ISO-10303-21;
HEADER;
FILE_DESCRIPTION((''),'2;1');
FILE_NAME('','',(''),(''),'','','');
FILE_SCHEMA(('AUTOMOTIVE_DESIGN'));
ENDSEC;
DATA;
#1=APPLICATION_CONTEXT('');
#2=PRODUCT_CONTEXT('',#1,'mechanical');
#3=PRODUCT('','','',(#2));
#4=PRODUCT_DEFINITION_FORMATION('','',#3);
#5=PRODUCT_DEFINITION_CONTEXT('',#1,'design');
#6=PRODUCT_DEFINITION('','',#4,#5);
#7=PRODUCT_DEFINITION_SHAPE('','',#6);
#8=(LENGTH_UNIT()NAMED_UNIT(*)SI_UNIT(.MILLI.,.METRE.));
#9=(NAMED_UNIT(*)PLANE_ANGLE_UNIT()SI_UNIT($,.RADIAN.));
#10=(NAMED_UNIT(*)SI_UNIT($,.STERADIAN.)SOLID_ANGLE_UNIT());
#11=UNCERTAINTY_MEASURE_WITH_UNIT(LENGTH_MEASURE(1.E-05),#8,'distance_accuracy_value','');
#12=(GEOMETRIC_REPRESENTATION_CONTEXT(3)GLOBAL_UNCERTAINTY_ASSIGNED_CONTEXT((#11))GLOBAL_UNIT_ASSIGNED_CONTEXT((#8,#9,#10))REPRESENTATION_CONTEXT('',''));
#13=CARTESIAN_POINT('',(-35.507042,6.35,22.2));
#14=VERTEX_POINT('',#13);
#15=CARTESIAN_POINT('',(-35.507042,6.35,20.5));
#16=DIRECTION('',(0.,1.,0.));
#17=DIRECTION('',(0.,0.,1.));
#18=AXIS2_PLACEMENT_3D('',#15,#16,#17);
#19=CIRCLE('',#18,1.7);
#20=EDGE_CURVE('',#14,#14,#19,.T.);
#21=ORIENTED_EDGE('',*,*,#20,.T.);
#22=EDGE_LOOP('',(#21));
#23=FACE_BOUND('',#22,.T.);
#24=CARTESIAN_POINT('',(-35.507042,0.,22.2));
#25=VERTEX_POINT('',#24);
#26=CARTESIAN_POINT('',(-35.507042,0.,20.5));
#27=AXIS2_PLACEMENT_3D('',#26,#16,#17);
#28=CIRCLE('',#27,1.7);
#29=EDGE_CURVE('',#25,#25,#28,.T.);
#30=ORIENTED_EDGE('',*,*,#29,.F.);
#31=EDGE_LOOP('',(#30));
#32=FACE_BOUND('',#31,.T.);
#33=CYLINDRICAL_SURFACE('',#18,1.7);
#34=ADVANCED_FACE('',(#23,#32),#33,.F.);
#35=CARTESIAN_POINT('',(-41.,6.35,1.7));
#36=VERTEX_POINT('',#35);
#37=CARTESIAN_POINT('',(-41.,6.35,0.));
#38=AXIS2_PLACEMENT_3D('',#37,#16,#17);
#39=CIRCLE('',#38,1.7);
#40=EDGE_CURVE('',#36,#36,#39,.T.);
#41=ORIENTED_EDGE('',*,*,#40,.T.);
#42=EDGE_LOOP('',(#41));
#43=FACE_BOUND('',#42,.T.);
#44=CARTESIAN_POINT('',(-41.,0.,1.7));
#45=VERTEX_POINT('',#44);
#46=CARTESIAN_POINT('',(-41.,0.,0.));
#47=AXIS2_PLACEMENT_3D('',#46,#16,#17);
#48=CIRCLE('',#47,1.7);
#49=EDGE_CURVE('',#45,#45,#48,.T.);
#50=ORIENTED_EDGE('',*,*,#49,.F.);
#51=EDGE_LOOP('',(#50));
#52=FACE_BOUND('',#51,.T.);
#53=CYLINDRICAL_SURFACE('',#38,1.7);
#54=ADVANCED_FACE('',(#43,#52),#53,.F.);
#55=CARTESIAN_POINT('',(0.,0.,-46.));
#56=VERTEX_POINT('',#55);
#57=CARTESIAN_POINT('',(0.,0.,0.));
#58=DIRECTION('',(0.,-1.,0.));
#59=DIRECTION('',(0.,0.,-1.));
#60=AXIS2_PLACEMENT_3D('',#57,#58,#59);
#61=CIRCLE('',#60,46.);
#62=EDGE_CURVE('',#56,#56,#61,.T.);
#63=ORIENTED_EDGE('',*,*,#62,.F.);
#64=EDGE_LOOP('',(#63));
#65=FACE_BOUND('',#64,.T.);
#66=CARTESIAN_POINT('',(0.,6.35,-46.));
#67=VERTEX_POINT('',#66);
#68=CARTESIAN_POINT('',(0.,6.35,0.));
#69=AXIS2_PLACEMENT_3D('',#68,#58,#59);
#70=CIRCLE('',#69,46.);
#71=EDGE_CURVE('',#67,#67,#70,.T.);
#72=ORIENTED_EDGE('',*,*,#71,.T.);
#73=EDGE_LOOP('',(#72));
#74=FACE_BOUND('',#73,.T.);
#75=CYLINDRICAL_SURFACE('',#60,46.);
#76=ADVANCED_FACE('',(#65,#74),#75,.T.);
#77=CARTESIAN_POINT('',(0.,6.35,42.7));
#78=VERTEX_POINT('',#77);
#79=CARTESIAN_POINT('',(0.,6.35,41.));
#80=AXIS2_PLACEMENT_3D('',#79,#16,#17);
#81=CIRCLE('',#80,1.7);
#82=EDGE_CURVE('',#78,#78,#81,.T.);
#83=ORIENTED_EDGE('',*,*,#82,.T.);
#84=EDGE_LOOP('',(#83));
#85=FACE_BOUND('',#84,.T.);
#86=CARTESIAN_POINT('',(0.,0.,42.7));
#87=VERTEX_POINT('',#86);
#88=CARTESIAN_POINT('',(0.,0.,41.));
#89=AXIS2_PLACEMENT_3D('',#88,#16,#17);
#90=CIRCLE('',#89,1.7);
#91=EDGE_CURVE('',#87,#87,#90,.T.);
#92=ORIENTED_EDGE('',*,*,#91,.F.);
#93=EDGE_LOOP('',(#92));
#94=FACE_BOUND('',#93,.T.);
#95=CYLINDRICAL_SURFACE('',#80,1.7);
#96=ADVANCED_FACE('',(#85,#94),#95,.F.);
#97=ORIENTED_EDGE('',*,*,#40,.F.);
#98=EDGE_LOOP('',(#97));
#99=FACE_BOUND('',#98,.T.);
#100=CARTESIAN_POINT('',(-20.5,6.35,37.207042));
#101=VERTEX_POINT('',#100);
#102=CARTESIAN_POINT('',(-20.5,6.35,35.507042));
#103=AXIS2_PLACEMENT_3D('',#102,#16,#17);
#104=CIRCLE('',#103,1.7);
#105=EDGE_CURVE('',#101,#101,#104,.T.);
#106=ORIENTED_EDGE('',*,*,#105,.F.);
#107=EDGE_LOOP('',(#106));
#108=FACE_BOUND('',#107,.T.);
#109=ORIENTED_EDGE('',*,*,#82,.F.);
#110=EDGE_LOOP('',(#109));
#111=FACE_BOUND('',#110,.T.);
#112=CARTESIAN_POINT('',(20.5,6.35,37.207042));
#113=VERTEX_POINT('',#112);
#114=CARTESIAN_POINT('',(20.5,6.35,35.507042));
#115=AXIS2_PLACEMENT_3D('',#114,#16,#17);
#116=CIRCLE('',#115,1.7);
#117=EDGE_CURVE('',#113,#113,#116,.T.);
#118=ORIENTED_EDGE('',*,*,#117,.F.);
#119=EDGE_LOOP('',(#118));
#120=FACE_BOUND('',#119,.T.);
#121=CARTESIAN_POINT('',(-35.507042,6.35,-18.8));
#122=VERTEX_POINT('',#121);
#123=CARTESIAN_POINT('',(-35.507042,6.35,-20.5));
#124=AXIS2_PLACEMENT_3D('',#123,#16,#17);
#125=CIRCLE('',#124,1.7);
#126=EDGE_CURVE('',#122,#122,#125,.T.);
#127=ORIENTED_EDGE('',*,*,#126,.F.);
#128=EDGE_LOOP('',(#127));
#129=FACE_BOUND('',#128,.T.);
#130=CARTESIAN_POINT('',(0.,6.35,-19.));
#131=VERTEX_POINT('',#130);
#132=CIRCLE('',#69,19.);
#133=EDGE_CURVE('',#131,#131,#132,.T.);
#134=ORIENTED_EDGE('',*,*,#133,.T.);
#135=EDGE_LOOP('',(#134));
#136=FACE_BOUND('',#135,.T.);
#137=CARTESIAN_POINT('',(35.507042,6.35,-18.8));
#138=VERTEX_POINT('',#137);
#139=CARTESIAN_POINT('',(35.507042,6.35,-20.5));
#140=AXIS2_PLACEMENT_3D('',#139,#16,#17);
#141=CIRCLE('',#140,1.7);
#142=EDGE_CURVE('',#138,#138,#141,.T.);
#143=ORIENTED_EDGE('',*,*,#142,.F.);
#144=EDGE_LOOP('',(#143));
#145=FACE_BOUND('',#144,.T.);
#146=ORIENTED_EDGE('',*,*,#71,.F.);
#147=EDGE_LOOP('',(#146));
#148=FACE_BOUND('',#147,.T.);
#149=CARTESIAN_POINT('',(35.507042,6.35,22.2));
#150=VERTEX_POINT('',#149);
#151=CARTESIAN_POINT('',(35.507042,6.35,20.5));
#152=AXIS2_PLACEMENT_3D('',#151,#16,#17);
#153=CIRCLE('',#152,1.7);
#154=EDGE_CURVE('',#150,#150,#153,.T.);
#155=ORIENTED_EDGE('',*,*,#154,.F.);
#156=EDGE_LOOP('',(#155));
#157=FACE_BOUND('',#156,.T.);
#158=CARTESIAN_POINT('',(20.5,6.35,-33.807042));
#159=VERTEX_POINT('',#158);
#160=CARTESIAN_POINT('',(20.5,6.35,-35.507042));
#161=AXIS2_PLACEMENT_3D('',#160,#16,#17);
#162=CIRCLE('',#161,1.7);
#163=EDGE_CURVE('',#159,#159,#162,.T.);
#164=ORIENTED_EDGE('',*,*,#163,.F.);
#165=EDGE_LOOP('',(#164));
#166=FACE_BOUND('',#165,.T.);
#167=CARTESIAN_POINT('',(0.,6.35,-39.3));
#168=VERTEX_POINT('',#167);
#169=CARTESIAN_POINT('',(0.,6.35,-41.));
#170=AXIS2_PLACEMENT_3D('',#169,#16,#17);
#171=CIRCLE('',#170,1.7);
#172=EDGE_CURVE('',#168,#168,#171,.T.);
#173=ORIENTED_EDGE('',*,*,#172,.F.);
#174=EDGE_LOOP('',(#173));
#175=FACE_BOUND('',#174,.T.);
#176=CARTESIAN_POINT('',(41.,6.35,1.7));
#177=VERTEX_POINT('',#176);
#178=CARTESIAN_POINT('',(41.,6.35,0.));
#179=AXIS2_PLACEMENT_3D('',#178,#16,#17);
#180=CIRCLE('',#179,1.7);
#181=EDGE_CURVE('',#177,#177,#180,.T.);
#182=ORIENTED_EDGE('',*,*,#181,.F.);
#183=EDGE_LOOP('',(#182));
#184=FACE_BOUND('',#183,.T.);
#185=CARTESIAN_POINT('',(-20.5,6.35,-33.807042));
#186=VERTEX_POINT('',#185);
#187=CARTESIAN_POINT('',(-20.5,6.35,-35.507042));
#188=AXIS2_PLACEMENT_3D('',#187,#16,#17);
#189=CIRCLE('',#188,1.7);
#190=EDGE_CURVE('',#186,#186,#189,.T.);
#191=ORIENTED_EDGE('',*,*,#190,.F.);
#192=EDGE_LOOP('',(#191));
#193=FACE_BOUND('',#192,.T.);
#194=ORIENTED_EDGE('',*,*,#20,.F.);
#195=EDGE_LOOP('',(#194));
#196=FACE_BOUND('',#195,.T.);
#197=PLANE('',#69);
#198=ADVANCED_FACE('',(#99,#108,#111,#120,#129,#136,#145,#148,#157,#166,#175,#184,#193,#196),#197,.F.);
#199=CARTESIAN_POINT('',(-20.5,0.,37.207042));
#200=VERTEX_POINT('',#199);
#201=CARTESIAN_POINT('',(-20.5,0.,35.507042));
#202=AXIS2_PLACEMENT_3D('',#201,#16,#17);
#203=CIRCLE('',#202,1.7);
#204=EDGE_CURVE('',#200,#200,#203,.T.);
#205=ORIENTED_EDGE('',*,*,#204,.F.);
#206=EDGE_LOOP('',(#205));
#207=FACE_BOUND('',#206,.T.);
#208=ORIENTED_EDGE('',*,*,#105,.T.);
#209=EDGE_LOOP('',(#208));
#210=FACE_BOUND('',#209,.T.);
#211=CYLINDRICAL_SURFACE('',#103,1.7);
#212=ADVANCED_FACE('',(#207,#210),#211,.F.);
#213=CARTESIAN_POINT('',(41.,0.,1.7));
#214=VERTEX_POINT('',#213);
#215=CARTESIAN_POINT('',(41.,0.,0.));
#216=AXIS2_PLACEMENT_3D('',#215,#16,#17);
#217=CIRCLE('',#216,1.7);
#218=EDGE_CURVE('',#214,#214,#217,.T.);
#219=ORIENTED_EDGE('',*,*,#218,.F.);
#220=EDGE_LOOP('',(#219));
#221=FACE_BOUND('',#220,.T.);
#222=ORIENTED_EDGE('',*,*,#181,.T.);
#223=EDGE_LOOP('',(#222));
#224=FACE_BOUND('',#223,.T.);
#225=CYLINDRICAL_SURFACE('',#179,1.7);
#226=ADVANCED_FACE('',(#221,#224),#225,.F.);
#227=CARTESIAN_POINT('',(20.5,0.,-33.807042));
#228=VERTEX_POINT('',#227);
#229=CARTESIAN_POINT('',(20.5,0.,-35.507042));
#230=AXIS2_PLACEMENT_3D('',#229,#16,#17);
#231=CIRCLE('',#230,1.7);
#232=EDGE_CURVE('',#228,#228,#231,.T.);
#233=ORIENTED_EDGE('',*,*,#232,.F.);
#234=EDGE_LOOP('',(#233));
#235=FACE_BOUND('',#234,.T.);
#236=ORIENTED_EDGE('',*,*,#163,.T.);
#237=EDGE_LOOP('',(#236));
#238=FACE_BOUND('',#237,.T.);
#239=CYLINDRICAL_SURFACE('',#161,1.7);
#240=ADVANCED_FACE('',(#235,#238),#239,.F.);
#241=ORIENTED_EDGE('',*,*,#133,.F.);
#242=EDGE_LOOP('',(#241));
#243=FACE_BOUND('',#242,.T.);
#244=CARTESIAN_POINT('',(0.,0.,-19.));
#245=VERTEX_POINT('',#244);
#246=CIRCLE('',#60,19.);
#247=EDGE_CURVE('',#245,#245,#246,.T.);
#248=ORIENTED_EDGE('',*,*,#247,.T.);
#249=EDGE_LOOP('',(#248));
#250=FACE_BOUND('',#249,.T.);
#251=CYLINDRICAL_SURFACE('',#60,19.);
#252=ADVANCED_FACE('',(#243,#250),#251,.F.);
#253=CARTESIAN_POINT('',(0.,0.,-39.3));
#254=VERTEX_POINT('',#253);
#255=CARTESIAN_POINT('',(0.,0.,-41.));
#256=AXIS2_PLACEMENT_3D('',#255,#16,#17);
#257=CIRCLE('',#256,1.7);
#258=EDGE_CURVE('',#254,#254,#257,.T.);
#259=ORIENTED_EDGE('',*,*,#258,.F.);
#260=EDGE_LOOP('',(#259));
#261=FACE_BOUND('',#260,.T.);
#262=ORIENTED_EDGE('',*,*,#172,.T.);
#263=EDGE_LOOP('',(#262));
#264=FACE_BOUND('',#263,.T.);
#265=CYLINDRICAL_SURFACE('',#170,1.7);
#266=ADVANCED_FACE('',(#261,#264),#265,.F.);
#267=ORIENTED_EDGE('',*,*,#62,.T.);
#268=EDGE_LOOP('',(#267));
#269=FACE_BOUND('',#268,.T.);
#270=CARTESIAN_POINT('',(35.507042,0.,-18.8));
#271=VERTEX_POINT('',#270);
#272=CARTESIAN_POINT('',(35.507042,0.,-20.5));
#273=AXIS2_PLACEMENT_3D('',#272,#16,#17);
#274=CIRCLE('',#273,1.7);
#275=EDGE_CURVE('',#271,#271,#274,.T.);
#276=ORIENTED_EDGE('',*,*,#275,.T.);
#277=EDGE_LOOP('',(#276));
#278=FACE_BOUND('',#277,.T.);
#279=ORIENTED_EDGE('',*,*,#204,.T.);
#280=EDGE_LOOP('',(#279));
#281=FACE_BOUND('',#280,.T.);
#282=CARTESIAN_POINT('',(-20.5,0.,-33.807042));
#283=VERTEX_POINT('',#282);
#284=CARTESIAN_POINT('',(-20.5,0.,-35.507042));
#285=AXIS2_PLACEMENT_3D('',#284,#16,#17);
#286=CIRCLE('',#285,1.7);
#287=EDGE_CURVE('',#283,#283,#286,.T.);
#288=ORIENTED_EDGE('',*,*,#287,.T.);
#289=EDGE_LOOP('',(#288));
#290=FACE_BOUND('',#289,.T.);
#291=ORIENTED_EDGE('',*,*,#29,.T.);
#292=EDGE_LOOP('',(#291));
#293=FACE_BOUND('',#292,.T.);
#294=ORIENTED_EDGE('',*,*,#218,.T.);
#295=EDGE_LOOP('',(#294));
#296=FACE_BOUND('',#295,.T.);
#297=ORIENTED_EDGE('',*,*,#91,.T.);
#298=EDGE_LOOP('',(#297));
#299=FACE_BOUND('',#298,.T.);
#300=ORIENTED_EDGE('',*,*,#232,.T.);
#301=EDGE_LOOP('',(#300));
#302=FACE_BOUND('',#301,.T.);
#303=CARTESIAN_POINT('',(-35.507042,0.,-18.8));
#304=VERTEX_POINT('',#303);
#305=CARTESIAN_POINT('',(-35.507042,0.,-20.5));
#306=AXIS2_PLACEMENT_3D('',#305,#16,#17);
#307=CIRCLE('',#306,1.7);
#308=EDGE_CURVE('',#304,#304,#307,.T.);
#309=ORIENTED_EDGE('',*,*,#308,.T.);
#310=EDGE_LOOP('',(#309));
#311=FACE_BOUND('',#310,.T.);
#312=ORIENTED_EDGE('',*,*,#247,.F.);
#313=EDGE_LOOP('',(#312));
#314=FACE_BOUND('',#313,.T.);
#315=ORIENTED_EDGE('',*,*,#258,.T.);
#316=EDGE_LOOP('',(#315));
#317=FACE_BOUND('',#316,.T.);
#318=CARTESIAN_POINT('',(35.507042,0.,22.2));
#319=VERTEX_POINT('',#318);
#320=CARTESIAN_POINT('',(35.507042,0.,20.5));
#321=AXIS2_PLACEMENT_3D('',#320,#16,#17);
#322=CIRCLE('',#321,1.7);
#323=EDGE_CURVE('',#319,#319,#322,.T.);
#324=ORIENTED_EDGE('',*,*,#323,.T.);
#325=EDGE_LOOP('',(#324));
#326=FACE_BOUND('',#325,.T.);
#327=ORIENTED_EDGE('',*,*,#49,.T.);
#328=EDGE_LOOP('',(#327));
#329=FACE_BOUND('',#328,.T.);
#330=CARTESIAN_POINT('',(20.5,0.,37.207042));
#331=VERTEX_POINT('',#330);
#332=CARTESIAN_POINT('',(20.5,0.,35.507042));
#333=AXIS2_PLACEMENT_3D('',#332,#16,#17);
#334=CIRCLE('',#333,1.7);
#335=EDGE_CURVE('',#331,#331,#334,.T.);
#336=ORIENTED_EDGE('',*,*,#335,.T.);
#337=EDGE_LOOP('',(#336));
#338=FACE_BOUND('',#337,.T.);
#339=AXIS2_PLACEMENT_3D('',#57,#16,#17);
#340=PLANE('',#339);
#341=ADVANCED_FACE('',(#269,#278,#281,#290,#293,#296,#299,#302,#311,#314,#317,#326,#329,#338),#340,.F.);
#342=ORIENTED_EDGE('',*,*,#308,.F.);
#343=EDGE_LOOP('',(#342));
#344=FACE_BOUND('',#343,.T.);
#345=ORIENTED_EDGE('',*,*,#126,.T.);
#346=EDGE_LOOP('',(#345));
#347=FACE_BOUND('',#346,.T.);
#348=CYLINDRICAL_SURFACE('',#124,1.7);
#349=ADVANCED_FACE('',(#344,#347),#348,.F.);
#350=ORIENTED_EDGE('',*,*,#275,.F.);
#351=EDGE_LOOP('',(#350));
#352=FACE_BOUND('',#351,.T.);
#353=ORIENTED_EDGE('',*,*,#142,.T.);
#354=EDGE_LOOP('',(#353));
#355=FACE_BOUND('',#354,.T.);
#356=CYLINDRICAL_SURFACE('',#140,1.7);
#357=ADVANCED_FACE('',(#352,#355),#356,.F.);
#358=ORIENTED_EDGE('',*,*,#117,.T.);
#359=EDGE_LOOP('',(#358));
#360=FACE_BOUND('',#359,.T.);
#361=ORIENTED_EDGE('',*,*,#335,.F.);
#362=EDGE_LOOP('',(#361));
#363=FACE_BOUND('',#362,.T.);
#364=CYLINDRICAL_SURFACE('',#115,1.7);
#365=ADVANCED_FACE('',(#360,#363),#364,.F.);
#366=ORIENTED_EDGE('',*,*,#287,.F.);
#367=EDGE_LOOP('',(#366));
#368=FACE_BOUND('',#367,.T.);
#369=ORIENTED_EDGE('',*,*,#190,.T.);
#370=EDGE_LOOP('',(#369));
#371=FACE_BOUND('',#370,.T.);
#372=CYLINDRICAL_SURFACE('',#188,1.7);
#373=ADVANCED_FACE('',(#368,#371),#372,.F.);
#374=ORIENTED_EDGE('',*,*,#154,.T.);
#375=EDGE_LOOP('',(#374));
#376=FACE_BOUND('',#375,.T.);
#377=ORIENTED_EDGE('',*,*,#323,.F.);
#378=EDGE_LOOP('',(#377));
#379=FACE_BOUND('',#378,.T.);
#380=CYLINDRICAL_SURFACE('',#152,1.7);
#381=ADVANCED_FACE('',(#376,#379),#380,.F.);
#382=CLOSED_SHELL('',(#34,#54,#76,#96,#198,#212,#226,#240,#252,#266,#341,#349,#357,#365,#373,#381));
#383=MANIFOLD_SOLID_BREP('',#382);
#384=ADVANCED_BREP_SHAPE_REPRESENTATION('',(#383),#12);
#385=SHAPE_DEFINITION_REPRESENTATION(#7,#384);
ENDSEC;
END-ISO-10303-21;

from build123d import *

# Parameters (mm, degrees)
SKETCH2_W            = 27
SKETCH2_H            = 6.35
M3_CLEARANCE_HOLE1_D = 3.4
CIRPATTERN1_COUNT    = 12


with BuildPart() as part:
    # Sketch2 → Revolve1 (revolve)
    with BuildSketch(Plane(origin=(0, 0, 0), x_dir=(0, 0, -1), z_dir=(1, 0, 0))):
        with Locations((-32.5, 3.175)):
            Rectangle(SKETCH2_W, SKETCH2_H)
    revolve(axis=Axis((0, 0, 0), (0, 1, 0)))

    # M3 Clearance Hole1 (through all)
    with Locations(Plane(origin=(0, 6.35, 0), x_dir=(1, 0, 0), z_dir=(0, 1, 0))):
        with Locations((0, 41)):
            m3_clearance_hole1 = Hole(M3_CLEARANCE_HOLE1_D / 2)

    # CirPattern1: M3 Clearance Hole1 ×12 about axis
    cirpattern1_axis = Axis((0, 0, 0), (0, 1, 0))
    for i in range(1, CIRPATTERN1_COUNT):
        add(m3_clearance_hole1.rotate(cirpattern1_axis, i * 360 / CIRPATTERN1_COUNT), mode=Mode.SUBTRACT)


solid = part.part
